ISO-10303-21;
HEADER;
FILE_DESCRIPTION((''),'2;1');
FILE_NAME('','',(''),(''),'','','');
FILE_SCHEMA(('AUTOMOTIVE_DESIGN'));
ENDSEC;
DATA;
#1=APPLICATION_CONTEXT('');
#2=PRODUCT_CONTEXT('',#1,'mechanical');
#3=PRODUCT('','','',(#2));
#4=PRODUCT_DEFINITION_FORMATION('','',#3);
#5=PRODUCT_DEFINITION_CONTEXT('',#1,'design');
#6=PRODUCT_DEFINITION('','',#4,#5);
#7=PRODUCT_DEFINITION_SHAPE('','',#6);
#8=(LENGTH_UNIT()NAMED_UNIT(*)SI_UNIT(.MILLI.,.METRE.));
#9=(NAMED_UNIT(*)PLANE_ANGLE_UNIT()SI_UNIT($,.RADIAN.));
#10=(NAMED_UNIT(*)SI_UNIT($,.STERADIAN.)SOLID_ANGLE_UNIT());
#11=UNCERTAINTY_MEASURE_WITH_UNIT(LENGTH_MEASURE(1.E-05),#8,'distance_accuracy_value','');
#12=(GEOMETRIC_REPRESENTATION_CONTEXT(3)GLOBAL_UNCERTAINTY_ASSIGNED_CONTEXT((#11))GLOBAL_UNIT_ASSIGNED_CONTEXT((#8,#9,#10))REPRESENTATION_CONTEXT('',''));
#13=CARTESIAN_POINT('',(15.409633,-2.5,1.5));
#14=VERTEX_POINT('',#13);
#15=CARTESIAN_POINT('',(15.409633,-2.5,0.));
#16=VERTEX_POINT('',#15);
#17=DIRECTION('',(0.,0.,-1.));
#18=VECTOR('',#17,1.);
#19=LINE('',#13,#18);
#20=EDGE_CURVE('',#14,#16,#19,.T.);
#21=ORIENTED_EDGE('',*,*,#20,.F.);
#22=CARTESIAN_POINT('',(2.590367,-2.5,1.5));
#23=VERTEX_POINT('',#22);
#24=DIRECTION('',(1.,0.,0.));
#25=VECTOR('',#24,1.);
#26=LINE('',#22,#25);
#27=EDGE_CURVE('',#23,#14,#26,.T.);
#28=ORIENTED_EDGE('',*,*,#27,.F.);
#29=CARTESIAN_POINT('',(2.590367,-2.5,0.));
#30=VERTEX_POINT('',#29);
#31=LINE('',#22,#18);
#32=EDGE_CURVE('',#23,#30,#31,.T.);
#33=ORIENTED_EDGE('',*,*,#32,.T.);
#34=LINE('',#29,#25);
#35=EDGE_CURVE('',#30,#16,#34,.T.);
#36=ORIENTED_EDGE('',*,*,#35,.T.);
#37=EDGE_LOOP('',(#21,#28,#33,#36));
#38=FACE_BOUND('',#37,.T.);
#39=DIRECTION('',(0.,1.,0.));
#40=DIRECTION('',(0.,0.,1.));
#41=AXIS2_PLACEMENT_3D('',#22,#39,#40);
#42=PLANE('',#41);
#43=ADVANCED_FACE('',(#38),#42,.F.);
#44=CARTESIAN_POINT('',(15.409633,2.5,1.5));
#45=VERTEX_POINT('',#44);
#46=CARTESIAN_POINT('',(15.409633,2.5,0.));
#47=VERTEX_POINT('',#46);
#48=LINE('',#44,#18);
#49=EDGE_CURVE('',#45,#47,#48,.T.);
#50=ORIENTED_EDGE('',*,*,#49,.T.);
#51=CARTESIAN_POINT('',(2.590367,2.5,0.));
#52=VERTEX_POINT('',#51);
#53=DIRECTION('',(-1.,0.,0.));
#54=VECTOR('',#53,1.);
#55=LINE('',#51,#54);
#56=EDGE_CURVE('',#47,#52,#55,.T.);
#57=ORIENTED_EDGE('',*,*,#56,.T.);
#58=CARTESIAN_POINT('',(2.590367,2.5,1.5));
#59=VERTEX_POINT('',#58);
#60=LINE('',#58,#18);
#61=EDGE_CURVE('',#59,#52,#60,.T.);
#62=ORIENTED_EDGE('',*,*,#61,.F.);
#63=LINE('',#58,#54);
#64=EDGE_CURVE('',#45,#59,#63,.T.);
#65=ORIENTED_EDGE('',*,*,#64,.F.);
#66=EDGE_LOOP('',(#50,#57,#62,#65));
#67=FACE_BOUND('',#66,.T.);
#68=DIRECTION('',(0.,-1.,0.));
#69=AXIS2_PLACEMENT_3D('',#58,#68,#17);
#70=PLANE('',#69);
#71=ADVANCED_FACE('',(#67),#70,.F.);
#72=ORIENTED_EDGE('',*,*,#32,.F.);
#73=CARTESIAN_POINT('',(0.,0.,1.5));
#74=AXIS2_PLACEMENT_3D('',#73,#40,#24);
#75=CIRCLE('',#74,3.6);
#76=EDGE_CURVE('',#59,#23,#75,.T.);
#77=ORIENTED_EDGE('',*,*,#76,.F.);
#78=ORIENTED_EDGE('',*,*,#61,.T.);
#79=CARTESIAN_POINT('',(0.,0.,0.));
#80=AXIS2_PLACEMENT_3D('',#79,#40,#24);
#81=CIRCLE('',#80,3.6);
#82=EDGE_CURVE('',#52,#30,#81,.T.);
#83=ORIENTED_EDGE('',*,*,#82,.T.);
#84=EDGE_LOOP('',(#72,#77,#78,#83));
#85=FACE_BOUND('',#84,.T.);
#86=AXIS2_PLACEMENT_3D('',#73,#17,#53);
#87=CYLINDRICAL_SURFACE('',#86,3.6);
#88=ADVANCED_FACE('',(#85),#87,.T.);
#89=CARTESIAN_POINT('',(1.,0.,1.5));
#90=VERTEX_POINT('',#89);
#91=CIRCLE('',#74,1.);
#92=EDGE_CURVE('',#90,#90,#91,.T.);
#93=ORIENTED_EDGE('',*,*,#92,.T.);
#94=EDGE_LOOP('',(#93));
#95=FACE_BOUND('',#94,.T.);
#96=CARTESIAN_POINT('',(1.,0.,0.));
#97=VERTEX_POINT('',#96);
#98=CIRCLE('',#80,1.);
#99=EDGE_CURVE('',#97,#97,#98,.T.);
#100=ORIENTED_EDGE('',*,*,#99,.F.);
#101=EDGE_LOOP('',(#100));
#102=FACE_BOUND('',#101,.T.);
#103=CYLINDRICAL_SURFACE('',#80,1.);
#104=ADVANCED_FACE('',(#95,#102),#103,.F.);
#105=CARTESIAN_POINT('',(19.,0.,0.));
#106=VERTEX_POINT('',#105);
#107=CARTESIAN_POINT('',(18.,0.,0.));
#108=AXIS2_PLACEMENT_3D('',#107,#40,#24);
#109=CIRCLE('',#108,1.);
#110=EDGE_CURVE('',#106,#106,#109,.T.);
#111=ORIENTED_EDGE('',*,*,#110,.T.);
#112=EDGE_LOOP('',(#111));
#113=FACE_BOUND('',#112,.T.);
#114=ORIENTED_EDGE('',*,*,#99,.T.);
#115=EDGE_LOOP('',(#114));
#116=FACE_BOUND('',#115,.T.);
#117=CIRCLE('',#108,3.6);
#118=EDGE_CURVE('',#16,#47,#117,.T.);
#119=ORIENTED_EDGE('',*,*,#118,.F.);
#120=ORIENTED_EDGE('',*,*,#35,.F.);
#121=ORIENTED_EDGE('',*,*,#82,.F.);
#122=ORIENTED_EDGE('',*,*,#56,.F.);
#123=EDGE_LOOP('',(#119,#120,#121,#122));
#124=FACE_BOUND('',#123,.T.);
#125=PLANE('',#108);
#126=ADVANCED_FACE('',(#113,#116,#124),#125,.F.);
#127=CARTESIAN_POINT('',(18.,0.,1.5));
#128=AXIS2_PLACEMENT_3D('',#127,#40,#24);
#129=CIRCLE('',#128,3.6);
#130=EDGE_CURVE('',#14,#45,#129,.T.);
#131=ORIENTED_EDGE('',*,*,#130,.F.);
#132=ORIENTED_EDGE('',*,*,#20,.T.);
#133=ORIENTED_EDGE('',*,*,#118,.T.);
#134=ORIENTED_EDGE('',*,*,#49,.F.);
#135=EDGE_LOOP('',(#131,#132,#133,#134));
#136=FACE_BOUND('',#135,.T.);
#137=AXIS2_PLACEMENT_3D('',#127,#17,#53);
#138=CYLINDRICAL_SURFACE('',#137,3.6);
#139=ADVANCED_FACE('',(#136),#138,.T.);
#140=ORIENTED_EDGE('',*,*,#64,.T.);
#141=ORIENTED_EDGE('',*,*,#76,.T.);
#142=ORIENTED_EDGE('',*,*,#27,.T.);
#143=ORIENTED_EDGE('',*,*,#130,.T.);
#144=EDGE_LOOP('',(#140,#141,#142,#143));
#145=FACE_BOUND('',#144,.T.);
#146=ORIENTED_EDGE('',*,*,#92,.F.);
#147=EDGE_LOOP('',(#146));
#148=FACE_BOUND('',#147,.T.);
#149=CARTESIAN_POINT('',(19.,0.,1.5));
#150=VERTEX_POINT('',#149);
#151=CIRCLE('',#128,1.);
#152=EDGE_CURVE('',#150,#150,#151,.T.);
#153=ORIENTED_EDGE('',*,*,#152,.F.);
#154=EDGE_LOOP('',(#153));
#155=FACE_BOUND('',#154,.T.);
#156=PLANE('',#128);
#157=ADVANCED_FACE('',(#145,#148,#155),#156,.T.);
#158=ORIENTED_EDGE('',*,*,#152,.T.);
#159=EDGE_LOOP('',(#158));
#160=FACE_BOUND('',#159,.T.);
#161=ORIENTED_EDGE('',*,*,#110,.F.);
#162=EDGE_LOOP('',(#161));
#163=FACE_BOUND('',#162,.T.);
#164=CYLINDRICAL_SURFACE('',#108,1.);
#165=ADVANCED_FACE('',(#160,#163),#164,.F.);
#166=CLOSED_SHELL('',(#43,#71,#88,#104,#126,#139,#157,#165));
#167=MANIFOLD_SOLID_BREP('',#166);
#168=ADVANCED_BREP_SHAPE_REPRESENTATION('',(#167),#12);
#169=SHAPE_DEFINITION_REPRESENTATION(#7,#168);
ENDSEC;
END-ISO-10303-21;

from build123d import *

# Parameters (mm, degrees)
SALIENTE_EXTRUIR1_DEPTH = 1.5
CROQUIS2_R              = 1
CORTAR_EXTRUIR1_DEPTH   = 1.5


with BuildPart() as part:
    # Croquis1 → Saliente-Extruir1 (new body)
    with BuildSketch(Plane.XY):
        with BuildLine():
            Line((2.590366769, -2.5), (15.409633231, -2.5))
            ThreePointArc((15.409633231, -2.5), (21.6, 0), (15.409633231, 2.5))
            Line((15.409633231, 2.5), (2.590366769, 2.5))
            ThreePointArc((2.590366769, 2.5), (-3.6, 0), (2.590366769, -2.5))
        make_face()
    extrude(amount=SALIENTE_EXTRUIR1_DEPTH)

    # Croquis2 → Cortar-Extruir1 (cut)
    with BuildSketch(Plane.XY.offset(1.5)):
        Circle(CROQUIS2_R)
        with Locations((18, 0)):
            Circle(CROQUIS2_R)
    extrude(amount=-CORTAR_EXTRUIR1_DEPTH, mode=Mode.SUBTRACT)


solid = part.part
